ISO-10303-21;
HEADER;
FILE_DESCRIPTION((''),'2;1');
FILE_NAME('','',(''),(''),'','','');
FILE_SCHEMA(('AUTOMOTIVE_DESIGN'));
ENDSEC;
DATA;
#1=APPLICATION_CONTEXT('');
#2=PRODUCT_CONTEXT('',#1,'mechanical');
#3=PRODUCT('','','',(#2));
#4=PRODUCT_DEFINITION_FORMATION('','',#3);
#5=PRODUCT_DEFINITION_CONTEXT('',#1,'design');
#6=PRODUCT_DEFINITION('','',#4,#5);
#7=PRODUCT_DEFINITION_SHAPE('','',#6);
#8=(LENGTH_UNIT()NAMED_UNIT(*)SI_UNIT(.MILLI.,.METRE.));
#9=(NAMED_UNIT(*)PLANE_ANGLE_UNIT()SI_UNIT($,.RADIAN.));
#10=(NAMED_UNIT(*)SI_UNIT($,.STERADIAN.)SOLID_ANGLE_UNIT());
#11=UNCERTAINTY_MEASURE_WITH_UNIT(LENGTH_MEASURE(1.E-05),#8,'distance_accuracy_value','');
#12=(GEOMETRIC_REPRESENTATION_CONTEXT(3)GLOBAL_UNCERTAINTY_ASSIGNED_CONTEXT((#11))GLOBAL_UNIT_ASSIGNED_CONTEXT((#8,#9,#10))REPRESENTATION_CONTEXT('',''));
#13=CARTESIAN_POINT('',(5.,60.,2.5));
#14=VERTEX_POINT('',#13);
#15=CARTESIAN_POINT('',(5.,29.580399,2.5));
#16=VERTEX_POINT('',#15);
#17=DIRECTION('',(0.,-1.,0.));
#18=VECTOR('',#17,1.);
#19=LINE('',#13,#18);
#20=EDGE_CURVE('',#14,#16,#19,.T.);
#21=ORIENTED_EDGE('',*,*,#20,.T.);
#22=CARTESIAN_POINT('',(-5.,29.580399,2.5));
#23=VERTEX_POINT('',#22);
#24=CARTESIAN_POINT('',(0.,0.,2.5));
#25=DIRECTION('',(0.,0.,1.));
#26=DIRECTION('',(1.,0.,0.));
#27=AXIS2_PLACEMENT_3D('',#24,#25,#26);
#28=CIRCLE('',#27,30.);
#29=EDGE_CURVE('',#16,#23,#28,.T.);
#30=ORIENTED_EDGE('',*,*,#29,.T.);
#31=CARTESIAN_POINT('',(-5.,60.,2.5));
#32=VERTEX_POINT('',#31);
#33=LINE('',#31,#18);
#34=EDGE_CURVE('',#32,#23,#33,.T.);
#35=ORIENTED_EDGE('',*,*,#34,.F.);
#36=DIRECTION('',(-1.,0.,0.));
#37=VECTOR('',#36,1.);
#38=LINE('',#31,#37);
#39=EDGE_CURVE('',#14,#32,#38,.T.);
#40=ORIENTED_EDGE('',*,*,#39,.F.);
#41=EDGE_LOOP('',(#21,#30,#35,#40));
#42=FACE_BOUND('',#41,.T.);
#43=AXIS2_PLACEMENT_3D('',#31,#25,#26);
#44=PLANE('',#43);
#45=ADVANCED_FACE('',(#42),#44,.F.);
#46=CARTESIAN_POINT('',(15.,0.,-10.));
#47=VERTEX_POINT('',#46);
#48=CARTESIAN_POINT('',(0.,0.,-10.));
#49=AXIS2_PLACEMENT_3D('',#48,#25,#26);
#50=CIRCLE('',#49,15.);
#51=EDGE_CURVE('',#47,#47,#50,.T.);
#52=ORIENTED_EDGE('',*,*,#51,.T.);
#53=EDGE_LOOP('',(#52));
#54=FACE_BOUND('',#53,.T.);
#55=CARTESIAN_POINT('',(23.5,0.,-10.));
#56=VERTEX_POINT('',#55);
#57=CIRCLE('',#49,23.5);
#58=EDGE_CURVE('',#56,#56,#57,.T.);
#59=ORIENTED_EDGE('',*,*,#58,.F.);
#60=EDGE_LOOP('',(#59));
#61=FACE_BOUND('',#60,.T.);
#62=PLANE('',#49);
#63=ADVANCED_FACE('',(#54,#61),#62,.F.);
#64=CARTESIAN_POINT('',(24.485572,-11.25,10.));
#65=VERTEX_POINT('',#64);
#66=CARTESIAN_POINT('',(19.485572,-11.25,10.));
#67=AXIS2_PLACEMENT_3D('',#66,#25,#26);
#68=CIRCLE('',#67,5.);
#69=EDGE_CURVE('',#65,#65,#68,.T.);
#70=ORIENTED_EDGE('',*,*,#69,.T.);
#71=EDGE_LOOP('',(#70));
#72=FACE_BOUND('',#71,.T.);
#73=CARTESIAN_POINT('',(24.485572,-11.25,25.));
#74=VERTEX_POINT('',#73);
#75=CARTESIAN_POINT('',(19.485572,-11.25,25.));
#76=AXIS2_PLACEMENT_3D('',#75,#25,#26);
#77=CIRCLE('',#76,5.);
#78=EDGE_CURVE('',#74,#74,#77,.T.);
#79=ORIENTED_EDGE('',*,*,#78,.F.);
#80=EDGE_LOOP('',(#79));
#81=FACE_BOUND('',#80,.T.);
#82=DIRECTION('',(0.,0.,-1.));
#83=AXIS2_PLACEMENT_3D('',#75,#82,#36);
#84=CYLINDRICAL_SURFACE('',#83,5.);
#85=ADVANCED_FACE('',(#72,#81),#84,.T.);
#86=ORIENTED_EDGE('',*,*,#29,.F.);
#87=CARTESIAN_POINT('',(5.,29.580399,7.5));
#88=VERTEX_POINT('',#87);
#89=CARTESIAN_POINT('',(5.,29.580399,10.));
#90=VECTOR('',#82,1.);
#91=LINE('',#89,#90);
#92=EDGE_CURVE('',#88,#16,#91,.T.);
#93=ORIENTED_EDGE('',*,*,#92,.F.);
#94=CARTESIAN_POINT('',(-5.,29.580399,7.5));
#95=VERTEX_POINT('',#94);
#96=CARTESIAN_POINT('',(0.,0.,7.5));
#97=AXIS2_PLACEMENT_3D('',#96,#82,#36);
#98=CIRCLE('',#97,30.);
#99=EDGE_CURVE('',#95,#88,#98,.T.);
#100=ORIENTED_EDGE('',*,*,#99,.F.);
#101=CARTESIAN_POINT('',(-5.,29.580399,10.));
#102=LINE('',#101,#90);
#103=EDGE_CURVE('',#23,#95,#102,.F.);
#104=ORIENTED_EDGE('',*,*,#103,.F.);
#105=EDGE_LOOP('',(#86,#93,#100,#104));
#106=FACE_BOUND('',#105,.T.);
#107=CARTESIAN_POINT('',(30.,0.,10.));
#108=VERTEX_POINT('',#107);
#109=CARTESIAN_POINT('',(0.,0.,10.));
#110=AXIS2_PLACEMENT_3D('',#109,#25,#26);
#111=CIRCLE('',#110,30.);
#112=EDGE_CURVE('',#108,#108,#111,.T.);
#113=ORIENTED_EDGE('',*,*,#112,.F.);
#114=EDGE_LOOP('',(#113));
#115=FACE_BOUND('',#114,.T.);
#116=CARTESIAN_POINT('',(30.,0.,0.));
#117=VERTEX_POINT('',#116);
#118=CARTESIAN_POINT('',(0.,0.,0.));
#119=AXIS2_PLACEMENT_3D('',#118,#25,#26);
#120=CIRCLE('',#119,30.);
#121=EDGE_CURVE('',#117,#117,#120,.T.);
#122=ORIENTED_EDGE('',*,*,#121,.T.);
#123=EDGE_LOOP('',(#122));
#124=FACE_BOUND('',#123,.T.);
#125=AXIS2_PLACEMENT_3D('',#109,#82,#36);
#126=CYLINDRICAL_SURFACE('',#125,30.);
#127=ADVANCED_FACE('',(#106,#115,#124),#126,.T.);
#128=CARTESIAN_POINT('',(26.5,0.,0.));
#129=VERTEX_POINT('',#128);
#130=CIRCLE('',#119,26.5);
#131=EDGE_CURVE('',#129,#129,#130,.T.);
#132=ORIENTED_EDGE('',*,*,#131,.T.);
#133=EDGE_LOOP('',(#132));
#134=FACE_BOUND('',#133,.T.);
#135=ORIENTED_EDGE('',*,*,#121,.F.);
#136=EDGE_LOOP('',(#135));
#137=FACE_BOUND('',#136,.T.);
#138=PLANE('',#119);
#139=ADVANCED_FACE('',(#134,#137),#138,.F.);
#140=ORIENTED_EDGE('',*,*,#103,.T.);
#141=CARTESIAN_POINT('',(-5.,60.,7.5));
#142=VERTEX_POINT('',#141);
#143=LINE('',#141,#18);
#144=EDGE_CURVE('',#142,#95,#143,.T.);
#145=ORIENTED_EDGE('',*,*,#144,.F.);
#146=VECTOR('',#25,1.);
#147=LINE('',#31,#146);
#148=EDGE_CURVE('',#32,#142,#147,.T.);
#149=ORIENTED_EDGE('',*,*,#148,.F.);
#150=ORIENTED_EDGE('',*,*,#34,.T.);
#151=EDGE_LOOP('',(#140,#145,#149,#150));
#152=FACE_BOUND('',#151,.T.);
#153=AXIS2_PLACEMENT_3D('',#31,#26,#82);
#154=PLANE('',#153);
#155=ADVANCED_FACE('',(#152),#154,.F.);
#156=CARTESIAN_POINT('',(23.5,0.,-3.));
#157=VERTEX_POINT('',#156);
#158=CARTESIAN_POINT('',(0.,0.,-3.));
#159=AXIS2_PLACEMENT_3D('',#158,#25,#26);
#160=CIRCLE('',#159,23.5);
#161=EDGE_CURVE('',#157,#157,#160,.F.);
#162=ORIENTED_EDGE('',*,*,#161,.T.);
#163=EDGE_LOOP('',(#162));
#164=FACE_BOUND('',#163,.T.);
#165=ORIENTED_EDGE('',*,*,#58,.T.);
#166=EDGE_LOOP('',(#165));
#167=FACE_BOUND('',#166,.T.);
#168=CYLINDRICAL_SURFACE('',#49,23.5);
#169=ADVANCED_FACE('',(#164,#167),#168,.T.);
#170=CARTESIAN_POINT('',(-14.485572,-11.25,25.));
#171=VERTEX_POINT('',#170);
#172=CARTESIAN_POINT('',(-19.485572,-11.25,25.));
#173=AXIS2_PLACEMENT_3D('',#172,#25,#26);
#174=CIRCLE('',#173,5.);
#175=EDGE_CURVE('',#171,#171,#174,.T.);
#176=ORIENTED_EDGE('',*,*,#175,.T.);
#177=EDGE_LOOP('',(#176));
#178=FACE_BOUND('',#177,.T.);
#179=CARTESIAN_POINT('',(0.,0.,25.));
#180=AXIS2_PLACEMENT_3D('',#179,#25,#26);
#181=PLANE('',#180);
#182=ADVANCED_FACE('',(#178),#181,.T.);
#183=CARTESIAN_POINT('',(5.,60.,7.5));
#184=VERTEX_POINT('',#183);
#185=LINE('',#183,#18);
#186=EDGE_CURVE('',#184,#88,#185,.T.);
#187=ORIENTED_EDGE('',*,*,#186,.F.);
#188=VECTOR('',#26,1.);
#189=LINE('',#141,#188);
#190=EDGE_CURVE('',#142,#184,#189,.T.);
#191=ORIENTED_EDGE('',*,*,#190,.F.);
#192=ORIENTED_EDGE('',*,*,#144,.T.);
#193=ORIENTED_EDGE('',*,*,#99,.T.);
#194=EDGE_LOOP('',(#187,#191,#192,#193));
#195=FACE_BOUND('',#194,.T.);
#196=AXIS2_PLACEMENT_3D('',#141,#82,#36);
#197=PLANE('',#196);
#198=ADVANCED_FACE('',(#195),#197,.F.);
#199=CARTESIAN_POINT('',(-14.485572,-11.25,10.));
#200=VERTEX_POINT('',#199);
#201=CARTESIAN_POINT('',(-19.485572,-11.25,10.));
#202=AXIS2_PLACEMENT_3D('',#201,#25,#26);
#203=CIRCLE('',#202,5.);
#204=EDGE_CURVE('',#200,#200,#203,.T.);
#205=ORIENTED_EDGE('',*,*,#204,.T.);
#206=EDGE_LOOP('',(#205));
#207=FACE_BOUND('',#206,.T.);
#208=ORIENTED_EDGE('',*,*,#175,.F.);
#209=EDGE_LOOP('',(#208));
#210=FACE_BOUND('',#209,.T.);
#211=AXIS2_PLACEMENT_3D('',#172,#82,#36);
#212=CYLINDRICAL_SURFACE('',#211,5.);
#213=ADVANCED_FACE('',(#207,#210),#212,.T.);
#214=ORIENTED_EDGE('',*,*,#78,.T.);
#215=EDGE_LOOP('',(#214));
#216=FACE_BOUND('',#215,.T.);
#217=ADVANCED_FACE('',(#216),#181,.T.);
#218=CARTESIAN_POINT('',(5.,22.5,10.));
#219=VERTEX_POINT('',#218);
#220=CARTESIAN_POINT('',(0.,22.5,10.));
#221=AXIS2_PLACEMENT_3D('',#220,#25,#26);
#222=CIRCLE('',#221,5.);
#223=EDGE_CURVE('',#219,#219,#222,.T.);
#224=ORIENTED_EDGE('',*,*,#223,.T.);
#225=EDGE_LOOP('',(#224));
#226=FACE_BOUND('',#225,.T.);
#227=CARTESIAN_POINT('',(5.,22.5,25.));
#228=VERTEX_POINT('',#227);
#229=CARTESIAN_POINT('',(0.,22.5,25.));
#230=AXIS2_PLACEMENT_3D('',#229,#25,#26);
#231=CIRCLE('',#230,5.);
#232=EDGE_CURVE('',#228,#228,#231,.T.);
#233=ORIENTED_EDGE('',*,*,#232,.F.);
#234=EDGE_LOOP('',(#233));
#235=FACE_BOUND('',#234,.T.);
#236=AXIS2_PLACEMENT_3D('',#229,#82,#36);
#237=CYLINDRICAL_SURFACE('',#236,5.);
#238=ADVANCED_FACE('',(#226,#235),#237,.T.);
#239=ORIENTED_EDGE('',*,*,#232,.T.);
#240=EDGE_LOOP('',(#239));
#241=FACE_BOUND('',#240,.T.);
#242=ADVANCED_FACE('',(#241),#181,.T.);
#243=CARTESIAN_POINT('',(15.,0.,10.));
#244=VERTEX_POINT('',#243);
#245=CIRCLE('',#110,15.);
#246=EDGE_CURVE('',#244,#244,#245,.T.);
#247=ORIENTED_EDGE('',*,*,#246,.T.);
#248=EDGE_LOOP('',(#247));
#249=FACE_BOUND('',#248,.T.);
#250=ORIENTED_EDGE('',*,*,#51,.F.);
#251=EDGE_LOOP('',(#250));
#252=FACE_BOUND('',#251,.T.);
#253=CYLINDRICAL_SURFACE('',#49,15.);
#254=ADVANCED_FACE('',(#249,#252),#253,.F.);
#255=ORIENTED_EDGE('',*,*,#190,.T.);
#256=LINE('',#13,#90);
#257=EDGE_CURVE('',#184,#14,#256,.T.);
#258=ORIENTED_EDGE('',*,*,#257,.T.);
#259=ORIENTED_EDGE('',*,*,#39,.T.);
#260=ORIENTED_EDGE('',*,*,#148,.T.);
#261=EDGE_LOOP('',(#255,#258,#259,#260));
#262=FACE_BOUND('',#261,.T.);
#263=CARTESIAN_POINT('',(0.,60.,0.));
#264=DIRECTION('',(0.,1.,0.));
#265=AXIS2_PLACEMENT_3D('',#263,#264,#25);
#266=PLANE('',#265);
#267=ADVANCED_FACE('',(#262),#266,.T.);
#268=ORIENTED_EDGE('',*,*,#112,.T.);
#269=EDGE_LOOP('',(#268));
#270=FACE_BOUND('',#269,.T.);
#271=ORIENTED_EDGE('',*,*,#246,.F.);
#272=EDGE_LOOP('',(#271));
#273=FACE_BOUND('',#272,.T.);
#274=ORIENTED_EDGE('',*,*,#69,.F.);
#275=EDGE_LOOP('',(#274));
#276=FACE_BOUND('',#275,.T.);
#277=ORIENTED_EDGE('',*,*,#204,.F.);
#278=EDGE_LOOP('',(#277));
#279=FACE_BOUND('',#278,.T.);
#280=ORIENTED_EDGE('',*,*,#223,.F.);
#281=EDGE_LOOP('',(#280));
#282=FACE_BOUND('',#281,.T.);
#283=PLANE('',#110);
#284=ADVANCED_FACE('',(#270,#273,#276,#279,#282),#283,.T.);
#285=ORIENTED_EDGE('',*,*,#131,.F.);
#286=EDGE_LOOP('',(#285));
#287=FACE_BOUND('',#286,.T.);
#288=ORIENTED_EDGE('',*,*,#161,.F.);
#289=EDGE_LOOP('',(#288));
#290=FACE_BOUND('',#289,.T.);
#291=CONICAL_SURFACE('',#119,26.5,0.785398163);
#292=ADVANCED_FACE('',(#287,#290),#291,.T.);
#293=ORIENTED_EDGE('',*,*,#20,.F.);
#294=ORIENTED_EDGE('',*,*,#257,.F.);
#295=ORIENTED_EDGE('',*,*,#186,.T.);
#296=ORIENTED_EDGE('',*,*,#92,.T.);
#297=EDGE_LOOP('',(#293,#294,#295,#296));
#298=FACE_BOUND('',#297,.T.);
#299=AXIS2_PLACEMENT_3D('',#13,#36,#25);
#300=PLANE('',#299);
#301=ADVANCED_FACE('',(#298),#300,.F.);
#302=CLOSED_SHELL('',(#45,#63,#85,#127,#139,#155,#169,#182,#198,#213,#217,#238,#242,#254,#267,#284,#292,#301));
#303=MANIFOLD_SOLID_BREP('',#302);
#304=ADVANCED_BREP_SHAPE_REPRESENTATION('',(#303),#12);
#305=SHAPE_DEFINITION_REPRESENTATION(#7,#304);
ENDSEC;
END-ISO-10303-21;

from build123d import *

# Parameters (mm, degrees)
SKETCH1_R                = 23.5
SKETCH1_R_2              = 15
BOSS_EXTRUDE1_DEPTH      = 10
SKETCH2_R                = 30
SKETCH2_R_2              = 15
BOSS_EXTRUDE2_DEPTH      = 10
CHAMFER1_SIZE            = 3
SKETCH3_R                = 5
BOSS_EXTRUDE3_DEPTH      = 15
SKETCH4_W                = 10
SKETCH4_H                = 5
BOSS_EXTRUDE5_DEPTH      = 30
BOSS_EXTRUDE5_DEPTH_BACK = 3


with BuildPart() as part:
    # Sketch1 → Boss-Extrude1 (new body)
    with BuildSketch(Plane.XY):
        Circle(SKETCH1_R)
        Circle(SKETCH1_R_2, mode=Mode.SUBTRACT)
    extrude(amount=-BOSS_EXTRUDE1_DEPTH)

    # Sketch2 → Boss-Extrude2 (add)
    with BuildSketch(Plane.XY):
        Circle(SKETCH2_R)
        Circle(SKETCH2_R_2, mode=Mode.SUBTRACT)
    extrude(amount=BOSS_EXTRUDE2_DEPTH)

    # Chamfer1
    chamfer1_edges = [part.edges().sort_by_distance(p)[0] for p in [
        (-23.5, 0, 0),
    ]]
    chamfer(chamfer1_edges, length=CHAMFER1_SIZE)

    # Sketch3 → Boss-Extrude3 (add)
    with BuildSketch(Plane.XY.offset(10)):
        with Locations((0, 22.5)):
            Circle(SKETCH3_R)
        with Locations((19.485571585, -11.25)):
            Circle(SKETCH3_R)
        with Locations((-19.485571585, -11.25)):
            Circle(SKETCH3_R)
    extrude(amount=BOSS_EXTRUDE3_DEPTH)

    # Sketch4 → Boss-Extrude5 (add, two sides)
    with BuildSketch(Plane(origin=(0, 30, 0), x_dir=(1, 0, 0), z_dir=(0, 1, 0))) as boss_extrude5_sk:
        with Locations((0, -5)):
            Rectangle(SKETCH4_W, SKETCH4_H)
    extrude(amount=BOSS_EXTRUDE5_DEPTH)
    extrude(boss_extrude5_sk.sketch, amount=-BOSS_EXTRUDE5_DEPTH_BACK)


solid = part.part
